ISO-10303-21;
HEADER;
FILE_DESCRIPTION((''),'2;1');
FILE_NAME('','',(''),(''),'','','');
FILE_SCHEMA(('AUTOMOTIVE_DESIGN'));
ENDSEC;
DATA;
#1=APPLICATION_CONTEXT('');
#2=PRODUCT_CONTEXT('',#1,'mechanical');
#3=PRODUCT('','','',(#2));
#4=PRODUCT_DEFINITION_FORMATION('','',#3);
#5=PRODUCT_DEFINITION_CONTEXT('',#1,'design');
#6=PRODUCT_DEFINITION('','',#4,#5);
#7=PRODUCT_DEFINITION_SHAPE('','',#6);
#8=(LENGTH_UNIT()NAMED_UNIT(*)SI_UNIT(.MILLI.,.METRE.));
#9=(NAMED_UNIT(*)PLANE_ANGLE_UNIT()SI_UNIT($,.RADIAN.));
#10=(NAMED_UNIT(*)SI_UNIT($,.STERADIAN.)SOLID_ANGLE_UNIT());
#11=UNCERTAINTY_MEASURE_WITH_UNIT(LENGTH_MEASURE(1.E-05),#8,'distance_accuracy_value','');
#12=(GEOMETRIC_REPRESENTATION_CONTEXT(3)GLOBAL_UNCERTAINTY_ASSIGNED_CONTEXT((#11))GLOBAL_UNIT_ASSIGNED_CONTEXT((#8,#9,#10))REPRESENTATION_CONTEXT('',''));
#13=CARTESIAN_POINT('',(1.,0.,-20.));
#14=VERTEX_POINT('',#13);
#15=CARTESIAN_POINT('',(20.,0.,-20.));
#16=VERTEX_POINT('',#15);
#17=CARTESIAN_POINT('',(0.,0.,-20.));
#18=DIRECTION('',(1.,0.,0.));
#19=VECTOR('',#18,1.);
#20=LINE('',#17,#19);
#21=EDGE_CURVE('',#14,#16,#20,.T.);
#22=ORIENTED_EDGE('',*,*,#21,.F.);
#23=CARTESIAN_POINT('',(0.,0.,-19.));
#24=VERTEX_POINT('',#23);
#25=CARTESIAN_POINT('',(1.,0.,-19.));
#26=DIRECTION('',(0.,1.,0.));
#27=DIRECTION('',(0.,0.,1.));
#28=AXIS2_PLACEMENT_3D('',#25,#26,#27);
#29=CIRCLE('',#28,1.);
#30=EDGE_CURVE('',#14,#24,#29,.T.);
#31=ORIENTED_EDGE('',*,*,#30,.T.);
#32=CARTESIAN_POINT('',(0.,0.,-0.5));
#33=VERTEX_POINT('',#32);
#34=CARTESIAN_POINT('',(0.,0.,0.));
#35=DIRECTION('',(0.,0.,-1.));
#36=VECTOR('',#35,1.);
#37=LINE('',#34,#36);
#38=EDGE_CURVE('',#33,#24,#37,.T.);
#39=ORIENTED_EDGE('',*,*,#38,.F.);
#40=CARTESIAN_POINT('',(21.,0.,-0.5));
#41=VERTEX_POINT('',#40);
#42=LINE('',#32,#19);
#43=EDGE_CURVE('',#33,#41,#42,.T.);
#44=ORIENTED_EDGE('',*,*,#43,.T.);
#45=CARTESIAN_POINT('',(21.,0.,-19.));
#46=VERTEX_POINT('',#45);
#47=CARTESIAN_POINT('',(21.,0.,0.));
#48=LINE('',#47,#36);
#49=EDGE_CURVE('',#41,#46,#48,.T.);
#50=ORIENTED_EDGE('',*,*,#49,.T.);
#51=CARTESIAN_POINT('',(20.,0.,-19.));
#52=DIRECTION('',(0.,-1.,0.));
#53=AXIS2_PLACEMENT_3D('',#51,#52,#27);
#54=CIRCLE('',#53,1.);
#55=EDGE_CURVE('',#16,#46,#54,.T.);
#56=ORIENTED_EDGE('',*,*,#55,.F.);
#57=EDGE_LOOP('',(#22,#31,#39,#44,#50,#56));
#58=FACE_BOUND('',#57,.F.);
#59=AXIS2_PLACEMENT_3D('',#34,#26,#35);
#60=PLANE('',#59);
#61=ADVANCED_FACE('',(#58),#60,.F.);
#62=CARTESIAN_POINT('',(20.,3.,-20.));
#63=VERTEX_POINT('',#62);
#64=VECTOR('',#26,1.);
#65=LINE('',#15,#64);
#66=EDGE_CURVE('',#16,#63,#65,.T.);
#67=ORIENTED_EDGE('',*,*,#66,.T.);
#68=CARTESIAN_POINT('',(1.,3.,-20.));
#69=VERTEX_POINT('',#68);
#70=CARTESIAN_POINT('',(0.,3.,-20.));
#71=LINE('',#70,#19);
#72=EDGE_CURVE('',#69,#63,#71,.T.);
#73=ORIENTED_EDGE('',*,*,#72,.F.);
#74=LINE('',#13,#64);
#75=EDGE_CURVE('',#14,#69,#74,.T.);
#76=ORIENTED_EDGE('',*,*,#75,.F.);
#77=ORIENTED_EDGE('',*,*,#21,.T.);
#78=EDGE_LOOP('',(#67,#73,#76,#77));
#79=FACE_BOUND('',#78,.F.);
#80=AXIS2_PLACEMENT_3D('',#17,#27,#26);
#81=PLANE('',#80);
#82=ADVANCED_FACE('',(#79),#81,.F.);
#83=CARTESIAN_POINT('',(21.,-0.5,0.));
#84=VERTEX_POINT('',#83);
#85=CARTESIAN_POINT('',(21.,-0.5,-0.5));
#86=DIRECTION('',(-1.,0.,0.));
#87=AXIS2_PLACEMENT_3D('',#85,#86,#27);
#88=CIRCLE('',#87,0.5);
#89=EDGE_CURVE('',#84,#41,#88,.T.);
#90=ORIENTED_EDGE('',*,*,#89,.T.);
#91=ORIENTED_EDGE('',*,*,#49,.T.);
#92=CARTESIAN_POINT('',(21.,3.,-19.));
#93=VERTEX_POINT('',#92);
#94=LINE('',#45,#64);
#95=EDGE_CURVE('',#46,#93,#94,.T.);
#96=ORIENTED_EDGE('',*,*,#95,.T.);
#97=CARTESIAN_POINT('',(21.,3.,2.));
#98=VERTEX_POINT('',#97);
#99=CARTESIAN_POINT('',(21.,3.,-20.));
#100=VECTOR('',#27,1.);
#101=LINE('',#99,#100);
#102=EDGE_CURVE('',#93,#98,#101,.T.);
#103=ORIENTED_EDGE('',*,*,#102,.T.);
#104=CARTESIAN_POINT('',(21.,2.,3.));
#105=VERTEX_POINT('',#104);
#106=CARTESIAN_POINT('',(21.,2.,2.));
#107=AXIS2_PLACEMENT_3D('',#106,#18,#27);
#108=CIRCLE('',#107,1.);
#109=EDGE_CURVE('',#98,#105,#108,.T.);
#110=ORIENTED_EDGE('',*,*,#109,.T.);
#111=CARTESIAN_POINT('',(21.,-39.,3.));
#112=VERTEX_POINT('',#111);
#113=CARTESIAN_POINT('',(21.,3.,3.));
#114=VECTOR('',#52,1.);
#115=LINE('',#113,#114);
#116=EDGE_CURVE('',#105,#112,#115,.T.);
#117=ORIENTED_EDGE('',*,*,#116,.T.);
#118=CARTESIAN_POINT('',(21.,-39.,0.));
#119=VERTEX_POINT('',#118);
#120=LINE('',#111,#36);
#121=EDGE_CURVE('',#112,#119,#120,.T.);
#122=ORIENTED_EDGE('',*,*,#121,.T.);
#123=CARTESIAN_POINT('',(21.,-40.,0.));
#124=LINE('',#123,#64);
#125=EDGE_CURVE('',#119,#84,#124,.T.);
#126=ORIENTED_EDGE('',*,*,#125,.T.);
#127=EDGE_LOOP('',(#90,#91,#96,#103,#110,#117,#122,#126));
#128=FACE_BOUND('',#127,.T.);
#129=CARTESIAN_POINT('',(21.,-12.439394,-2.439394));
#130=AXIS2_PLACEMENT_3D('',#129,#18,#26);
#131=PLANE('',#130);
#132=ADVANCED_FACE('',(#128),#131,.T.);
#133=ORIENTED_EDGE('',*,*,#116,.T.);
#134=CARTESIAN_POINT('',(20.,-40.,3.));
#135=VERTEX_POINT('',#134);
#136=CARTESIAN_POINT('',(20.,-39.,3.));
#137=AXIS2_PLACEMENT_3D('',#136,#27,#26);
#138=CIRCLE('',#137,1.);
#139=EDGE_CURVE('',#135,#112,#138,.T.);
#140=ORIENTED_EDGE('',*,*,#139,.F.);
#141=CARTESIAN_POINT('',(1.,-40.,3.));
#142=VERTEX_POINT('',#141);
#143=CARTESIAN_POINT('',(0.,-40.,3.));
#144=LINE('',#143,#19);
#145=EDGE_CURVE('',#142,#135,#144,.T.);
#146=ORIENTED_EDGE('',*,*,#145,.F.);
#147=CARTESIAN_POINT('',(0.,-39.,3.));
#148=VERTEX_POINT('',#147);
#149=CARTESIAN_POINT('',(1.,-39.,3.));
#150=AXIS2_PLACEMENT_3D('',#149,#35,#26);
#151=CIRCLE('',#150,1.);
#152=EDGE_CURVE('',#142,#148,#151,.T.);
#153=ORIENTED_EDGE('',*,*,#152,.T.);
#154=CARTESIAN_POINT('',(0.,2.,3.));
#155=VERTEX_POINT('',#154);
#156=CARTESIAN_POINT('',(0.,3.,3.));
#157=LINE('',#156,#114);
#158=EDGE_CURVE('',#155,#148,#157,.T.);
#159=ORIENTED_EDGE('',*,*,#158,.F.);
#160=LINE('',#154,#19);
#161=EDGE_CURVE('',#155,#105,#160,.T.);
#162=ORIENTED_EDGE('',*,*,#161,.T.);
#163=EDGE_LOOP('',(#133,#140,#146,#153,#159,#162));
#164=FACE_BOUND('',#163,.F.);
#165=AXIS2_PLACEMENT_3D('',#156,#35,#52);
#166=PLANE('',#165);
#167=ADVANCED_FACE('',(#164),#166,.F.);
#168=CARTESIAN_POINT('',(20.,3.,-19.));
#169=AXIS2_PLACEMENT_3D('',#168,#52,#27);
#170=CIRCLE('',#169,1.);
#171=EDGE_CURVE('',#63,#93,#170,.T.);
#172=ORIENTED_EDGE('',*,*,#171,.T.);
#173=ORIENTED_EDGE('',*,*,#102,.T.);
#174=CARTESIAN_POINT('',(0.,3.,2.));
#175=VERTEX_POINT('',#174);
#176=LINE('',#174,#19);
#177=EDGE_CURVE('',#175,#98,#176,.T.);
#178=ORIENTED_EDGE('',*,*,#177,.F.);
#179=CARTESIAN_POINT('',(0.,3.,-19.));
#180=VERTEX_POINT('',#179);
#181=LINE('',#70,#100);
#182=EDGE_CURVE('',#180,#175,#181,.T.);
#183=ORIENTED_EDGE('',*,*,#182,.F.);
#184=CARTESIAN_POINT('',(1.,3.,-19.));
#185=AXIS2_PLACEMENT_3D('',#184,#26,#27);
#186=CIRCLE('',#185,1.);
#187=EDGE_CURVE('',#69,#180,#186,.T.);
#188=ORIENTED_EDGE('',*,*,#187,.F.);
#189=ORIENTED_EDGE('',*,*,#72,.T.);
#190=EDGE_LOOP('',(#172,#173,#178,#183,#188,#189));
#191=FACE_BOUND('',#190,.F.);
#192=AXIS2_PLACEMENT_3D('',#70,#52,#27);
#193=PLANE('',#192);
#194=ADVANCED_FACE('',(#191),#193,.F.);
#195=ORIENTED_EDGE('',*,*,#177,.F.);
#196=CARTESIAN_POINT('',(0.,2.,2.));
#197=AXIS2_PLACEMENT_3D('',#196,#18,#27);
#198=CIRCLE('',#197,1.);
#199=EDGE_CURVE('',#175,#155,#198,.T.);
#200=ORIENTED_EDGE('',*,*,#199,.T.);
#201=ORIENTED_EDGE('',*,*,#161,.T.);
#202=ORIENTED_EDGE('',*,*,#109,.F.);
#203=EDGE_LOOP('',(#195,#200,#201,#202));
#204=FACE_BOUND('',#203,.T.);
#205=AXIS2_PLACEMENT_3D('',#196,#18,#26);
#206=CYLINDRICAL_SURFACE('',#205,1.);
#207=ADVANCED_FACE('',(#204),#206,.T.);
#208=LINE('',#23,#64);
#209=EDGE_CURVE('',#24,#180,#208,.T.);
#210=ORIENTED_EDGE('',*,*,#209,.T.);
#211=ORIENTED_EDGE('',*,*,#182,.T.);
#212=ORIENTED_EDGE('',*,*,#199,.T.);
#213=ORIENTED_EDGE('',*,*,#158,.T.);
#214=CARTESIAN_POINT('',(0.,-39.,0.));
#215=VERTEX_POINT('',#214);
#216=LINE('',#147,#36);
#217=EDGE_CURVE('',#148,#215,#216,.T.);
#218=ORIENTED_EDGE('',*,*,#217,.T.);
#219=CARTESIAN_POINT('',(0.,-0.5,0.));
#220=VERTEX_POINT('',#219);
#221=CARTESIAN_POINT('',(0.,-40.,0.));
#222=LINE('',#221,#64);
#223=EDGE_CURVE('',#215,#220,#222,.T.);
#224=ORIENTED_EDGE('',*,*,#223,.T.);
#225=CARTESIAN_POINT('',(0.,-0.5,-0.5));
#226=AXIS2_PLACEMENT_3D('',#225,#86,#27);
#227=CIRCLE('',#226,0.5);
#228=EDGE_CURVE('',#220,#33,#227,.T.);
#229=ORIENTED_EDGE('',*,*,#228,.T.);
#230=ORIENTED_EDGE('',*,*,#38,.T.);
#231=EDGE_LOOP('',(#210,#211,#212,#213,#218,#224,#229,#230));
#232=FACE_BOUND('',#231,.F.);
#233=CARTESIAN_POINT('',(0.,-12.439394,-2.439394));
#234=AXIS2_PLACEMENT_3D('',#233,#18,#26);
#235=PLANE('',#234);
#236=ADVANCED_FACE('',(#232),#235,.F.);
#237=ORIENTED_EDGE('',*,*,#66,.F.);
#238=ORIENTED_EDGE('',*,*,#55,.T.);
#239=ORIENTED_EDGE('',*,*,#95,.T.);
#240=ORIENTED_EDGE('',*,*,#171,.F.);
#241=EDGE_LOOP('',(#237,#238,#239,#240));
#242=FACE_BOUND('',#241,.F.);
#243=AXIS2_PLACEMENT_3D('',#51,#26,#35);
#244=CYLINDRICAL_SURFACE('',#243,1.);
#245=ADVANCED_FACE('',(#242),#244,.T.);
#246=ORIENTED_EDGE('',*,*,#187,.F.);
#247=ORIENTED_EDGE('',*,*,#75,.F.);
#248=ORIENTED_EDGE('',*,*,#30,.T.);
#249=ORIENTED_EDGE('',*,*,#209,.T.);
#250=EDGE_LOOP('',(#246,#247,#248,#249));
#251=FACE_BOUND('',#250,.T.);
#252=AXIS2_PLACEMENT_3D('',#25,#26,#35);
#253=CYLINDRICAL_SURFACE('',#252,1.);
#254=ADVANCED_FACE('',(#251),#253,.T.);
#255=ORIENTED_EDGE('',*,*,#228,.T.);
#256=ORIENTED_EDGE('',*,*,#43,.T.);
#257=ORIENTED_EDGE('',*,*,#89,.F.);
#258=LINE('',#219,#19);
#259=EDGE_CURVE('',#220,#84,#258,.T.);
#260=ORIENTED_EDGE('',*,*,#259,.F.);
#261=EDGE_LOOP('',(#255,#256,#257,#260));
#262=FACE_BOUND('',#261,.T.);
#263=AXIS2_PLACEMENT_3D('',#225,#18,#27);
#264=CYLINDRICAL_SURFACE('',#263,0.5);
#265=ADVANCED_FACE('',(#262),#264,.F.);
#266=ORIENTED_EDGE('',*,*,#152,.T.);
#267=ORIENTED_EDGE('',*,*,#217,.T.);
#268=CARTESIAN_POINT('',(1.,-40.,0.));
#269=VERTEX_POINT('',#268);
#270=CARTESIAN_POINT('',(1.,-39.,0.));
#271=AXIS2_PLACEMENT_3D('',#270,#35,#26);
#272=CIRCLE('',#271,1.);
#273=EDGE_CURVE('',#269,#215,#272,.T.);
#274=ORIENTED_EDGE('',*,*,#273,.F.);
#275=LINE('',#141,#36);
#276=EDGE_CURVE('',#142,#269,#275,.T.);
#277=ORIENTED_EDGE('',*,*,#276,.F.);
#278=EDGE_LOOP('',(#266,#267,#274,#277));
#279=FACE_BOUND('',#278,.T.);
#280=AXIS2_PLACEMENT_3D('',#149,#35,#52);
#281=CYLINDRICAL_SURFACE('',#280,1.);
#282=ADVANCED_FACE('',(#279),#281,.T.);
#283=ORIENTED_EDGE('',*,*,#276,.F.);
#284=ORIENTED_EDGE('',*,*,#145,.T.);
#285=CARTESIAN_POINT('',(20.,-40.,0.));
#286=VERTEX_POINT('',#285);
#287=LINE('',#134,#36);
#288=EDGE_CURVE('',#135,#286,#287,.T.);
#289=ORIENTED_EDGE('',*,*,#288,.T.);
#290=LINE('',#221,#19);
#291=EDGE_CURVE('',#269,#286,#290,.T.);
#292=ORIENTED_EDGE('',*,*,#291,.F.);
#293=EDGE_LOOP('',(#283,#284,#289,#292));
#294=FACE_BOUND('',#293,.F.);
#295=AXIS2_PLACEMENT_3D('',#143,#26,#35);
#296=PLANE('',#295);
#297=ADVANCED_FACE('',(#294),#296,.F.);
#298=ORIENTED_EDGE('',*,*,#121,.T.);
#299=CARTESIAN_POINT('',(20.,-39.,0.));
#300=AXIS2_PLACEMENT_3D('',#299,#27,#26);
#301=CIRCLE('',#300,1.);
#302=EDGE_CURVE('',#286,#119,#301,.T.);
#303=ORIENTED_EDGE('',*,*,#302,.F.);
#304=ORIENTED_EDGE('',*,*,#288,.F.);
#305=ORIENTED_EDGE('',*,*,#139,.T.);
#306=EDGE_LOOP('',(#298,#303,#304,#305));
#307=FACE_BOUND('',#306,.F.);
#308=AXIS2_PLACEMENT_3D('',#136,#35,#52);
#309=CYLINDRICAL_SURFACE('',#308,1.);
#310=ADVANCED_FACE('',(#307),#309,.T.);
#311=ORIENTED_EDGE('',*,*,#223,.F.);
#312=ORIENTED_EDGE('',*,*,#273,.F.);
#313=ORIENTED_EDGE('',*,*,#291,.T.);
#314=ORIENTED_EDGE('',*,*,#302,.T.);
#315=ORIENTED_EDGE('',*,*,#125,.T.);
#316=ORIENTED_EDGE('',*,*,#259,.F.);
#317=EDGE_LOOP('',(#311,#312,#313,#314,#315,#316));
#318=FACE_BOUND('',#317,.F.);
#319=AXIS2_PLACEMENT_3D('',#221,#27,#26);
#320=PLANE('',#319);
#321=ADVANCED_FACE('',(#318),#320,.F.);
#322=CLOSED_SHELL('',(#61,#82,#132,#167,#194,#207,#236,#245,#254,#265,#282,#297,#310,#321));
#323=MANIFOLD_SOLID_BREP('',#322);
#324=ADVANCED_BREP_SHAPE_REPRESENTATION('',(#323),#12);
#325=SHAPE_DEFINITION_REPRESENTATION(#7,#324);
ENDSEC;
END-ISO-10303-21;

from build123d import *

# Parameters (mm, degrees)
F1_DEPTH = 21
F2_R     = 1
F3_R     = 0.5


with BuildPart() as f1:
    # F0 (on Right) → F1 (new body)
    with BuildSketch(Plane.YZ):
        Polygon((-40, 3), (-40, 0), (0, 0), (0, -20), (3, -20), (3, 3), align=None)
    extrude(amount=F1_DEPTH)

    # F2
    f2_edges = [f1.edges().sort_by_distance(p)[0] for p in [
        (10.5, 3, 3),
        (21, -40, 1.5),
        (0, -40, 1.5),
        (21, 1.5, -20),
        (0, 1.5, -20),
    ]]
    fillet(f2_edges, radius=F2_R)

    # F3
    f3_edges = [f1.edges().sort_by_distance(p)[0] for p in [
        (10.5, 0, 0),
    ]]
    fillet(f3_edges, radius=F3_R)


solid = f1.part
